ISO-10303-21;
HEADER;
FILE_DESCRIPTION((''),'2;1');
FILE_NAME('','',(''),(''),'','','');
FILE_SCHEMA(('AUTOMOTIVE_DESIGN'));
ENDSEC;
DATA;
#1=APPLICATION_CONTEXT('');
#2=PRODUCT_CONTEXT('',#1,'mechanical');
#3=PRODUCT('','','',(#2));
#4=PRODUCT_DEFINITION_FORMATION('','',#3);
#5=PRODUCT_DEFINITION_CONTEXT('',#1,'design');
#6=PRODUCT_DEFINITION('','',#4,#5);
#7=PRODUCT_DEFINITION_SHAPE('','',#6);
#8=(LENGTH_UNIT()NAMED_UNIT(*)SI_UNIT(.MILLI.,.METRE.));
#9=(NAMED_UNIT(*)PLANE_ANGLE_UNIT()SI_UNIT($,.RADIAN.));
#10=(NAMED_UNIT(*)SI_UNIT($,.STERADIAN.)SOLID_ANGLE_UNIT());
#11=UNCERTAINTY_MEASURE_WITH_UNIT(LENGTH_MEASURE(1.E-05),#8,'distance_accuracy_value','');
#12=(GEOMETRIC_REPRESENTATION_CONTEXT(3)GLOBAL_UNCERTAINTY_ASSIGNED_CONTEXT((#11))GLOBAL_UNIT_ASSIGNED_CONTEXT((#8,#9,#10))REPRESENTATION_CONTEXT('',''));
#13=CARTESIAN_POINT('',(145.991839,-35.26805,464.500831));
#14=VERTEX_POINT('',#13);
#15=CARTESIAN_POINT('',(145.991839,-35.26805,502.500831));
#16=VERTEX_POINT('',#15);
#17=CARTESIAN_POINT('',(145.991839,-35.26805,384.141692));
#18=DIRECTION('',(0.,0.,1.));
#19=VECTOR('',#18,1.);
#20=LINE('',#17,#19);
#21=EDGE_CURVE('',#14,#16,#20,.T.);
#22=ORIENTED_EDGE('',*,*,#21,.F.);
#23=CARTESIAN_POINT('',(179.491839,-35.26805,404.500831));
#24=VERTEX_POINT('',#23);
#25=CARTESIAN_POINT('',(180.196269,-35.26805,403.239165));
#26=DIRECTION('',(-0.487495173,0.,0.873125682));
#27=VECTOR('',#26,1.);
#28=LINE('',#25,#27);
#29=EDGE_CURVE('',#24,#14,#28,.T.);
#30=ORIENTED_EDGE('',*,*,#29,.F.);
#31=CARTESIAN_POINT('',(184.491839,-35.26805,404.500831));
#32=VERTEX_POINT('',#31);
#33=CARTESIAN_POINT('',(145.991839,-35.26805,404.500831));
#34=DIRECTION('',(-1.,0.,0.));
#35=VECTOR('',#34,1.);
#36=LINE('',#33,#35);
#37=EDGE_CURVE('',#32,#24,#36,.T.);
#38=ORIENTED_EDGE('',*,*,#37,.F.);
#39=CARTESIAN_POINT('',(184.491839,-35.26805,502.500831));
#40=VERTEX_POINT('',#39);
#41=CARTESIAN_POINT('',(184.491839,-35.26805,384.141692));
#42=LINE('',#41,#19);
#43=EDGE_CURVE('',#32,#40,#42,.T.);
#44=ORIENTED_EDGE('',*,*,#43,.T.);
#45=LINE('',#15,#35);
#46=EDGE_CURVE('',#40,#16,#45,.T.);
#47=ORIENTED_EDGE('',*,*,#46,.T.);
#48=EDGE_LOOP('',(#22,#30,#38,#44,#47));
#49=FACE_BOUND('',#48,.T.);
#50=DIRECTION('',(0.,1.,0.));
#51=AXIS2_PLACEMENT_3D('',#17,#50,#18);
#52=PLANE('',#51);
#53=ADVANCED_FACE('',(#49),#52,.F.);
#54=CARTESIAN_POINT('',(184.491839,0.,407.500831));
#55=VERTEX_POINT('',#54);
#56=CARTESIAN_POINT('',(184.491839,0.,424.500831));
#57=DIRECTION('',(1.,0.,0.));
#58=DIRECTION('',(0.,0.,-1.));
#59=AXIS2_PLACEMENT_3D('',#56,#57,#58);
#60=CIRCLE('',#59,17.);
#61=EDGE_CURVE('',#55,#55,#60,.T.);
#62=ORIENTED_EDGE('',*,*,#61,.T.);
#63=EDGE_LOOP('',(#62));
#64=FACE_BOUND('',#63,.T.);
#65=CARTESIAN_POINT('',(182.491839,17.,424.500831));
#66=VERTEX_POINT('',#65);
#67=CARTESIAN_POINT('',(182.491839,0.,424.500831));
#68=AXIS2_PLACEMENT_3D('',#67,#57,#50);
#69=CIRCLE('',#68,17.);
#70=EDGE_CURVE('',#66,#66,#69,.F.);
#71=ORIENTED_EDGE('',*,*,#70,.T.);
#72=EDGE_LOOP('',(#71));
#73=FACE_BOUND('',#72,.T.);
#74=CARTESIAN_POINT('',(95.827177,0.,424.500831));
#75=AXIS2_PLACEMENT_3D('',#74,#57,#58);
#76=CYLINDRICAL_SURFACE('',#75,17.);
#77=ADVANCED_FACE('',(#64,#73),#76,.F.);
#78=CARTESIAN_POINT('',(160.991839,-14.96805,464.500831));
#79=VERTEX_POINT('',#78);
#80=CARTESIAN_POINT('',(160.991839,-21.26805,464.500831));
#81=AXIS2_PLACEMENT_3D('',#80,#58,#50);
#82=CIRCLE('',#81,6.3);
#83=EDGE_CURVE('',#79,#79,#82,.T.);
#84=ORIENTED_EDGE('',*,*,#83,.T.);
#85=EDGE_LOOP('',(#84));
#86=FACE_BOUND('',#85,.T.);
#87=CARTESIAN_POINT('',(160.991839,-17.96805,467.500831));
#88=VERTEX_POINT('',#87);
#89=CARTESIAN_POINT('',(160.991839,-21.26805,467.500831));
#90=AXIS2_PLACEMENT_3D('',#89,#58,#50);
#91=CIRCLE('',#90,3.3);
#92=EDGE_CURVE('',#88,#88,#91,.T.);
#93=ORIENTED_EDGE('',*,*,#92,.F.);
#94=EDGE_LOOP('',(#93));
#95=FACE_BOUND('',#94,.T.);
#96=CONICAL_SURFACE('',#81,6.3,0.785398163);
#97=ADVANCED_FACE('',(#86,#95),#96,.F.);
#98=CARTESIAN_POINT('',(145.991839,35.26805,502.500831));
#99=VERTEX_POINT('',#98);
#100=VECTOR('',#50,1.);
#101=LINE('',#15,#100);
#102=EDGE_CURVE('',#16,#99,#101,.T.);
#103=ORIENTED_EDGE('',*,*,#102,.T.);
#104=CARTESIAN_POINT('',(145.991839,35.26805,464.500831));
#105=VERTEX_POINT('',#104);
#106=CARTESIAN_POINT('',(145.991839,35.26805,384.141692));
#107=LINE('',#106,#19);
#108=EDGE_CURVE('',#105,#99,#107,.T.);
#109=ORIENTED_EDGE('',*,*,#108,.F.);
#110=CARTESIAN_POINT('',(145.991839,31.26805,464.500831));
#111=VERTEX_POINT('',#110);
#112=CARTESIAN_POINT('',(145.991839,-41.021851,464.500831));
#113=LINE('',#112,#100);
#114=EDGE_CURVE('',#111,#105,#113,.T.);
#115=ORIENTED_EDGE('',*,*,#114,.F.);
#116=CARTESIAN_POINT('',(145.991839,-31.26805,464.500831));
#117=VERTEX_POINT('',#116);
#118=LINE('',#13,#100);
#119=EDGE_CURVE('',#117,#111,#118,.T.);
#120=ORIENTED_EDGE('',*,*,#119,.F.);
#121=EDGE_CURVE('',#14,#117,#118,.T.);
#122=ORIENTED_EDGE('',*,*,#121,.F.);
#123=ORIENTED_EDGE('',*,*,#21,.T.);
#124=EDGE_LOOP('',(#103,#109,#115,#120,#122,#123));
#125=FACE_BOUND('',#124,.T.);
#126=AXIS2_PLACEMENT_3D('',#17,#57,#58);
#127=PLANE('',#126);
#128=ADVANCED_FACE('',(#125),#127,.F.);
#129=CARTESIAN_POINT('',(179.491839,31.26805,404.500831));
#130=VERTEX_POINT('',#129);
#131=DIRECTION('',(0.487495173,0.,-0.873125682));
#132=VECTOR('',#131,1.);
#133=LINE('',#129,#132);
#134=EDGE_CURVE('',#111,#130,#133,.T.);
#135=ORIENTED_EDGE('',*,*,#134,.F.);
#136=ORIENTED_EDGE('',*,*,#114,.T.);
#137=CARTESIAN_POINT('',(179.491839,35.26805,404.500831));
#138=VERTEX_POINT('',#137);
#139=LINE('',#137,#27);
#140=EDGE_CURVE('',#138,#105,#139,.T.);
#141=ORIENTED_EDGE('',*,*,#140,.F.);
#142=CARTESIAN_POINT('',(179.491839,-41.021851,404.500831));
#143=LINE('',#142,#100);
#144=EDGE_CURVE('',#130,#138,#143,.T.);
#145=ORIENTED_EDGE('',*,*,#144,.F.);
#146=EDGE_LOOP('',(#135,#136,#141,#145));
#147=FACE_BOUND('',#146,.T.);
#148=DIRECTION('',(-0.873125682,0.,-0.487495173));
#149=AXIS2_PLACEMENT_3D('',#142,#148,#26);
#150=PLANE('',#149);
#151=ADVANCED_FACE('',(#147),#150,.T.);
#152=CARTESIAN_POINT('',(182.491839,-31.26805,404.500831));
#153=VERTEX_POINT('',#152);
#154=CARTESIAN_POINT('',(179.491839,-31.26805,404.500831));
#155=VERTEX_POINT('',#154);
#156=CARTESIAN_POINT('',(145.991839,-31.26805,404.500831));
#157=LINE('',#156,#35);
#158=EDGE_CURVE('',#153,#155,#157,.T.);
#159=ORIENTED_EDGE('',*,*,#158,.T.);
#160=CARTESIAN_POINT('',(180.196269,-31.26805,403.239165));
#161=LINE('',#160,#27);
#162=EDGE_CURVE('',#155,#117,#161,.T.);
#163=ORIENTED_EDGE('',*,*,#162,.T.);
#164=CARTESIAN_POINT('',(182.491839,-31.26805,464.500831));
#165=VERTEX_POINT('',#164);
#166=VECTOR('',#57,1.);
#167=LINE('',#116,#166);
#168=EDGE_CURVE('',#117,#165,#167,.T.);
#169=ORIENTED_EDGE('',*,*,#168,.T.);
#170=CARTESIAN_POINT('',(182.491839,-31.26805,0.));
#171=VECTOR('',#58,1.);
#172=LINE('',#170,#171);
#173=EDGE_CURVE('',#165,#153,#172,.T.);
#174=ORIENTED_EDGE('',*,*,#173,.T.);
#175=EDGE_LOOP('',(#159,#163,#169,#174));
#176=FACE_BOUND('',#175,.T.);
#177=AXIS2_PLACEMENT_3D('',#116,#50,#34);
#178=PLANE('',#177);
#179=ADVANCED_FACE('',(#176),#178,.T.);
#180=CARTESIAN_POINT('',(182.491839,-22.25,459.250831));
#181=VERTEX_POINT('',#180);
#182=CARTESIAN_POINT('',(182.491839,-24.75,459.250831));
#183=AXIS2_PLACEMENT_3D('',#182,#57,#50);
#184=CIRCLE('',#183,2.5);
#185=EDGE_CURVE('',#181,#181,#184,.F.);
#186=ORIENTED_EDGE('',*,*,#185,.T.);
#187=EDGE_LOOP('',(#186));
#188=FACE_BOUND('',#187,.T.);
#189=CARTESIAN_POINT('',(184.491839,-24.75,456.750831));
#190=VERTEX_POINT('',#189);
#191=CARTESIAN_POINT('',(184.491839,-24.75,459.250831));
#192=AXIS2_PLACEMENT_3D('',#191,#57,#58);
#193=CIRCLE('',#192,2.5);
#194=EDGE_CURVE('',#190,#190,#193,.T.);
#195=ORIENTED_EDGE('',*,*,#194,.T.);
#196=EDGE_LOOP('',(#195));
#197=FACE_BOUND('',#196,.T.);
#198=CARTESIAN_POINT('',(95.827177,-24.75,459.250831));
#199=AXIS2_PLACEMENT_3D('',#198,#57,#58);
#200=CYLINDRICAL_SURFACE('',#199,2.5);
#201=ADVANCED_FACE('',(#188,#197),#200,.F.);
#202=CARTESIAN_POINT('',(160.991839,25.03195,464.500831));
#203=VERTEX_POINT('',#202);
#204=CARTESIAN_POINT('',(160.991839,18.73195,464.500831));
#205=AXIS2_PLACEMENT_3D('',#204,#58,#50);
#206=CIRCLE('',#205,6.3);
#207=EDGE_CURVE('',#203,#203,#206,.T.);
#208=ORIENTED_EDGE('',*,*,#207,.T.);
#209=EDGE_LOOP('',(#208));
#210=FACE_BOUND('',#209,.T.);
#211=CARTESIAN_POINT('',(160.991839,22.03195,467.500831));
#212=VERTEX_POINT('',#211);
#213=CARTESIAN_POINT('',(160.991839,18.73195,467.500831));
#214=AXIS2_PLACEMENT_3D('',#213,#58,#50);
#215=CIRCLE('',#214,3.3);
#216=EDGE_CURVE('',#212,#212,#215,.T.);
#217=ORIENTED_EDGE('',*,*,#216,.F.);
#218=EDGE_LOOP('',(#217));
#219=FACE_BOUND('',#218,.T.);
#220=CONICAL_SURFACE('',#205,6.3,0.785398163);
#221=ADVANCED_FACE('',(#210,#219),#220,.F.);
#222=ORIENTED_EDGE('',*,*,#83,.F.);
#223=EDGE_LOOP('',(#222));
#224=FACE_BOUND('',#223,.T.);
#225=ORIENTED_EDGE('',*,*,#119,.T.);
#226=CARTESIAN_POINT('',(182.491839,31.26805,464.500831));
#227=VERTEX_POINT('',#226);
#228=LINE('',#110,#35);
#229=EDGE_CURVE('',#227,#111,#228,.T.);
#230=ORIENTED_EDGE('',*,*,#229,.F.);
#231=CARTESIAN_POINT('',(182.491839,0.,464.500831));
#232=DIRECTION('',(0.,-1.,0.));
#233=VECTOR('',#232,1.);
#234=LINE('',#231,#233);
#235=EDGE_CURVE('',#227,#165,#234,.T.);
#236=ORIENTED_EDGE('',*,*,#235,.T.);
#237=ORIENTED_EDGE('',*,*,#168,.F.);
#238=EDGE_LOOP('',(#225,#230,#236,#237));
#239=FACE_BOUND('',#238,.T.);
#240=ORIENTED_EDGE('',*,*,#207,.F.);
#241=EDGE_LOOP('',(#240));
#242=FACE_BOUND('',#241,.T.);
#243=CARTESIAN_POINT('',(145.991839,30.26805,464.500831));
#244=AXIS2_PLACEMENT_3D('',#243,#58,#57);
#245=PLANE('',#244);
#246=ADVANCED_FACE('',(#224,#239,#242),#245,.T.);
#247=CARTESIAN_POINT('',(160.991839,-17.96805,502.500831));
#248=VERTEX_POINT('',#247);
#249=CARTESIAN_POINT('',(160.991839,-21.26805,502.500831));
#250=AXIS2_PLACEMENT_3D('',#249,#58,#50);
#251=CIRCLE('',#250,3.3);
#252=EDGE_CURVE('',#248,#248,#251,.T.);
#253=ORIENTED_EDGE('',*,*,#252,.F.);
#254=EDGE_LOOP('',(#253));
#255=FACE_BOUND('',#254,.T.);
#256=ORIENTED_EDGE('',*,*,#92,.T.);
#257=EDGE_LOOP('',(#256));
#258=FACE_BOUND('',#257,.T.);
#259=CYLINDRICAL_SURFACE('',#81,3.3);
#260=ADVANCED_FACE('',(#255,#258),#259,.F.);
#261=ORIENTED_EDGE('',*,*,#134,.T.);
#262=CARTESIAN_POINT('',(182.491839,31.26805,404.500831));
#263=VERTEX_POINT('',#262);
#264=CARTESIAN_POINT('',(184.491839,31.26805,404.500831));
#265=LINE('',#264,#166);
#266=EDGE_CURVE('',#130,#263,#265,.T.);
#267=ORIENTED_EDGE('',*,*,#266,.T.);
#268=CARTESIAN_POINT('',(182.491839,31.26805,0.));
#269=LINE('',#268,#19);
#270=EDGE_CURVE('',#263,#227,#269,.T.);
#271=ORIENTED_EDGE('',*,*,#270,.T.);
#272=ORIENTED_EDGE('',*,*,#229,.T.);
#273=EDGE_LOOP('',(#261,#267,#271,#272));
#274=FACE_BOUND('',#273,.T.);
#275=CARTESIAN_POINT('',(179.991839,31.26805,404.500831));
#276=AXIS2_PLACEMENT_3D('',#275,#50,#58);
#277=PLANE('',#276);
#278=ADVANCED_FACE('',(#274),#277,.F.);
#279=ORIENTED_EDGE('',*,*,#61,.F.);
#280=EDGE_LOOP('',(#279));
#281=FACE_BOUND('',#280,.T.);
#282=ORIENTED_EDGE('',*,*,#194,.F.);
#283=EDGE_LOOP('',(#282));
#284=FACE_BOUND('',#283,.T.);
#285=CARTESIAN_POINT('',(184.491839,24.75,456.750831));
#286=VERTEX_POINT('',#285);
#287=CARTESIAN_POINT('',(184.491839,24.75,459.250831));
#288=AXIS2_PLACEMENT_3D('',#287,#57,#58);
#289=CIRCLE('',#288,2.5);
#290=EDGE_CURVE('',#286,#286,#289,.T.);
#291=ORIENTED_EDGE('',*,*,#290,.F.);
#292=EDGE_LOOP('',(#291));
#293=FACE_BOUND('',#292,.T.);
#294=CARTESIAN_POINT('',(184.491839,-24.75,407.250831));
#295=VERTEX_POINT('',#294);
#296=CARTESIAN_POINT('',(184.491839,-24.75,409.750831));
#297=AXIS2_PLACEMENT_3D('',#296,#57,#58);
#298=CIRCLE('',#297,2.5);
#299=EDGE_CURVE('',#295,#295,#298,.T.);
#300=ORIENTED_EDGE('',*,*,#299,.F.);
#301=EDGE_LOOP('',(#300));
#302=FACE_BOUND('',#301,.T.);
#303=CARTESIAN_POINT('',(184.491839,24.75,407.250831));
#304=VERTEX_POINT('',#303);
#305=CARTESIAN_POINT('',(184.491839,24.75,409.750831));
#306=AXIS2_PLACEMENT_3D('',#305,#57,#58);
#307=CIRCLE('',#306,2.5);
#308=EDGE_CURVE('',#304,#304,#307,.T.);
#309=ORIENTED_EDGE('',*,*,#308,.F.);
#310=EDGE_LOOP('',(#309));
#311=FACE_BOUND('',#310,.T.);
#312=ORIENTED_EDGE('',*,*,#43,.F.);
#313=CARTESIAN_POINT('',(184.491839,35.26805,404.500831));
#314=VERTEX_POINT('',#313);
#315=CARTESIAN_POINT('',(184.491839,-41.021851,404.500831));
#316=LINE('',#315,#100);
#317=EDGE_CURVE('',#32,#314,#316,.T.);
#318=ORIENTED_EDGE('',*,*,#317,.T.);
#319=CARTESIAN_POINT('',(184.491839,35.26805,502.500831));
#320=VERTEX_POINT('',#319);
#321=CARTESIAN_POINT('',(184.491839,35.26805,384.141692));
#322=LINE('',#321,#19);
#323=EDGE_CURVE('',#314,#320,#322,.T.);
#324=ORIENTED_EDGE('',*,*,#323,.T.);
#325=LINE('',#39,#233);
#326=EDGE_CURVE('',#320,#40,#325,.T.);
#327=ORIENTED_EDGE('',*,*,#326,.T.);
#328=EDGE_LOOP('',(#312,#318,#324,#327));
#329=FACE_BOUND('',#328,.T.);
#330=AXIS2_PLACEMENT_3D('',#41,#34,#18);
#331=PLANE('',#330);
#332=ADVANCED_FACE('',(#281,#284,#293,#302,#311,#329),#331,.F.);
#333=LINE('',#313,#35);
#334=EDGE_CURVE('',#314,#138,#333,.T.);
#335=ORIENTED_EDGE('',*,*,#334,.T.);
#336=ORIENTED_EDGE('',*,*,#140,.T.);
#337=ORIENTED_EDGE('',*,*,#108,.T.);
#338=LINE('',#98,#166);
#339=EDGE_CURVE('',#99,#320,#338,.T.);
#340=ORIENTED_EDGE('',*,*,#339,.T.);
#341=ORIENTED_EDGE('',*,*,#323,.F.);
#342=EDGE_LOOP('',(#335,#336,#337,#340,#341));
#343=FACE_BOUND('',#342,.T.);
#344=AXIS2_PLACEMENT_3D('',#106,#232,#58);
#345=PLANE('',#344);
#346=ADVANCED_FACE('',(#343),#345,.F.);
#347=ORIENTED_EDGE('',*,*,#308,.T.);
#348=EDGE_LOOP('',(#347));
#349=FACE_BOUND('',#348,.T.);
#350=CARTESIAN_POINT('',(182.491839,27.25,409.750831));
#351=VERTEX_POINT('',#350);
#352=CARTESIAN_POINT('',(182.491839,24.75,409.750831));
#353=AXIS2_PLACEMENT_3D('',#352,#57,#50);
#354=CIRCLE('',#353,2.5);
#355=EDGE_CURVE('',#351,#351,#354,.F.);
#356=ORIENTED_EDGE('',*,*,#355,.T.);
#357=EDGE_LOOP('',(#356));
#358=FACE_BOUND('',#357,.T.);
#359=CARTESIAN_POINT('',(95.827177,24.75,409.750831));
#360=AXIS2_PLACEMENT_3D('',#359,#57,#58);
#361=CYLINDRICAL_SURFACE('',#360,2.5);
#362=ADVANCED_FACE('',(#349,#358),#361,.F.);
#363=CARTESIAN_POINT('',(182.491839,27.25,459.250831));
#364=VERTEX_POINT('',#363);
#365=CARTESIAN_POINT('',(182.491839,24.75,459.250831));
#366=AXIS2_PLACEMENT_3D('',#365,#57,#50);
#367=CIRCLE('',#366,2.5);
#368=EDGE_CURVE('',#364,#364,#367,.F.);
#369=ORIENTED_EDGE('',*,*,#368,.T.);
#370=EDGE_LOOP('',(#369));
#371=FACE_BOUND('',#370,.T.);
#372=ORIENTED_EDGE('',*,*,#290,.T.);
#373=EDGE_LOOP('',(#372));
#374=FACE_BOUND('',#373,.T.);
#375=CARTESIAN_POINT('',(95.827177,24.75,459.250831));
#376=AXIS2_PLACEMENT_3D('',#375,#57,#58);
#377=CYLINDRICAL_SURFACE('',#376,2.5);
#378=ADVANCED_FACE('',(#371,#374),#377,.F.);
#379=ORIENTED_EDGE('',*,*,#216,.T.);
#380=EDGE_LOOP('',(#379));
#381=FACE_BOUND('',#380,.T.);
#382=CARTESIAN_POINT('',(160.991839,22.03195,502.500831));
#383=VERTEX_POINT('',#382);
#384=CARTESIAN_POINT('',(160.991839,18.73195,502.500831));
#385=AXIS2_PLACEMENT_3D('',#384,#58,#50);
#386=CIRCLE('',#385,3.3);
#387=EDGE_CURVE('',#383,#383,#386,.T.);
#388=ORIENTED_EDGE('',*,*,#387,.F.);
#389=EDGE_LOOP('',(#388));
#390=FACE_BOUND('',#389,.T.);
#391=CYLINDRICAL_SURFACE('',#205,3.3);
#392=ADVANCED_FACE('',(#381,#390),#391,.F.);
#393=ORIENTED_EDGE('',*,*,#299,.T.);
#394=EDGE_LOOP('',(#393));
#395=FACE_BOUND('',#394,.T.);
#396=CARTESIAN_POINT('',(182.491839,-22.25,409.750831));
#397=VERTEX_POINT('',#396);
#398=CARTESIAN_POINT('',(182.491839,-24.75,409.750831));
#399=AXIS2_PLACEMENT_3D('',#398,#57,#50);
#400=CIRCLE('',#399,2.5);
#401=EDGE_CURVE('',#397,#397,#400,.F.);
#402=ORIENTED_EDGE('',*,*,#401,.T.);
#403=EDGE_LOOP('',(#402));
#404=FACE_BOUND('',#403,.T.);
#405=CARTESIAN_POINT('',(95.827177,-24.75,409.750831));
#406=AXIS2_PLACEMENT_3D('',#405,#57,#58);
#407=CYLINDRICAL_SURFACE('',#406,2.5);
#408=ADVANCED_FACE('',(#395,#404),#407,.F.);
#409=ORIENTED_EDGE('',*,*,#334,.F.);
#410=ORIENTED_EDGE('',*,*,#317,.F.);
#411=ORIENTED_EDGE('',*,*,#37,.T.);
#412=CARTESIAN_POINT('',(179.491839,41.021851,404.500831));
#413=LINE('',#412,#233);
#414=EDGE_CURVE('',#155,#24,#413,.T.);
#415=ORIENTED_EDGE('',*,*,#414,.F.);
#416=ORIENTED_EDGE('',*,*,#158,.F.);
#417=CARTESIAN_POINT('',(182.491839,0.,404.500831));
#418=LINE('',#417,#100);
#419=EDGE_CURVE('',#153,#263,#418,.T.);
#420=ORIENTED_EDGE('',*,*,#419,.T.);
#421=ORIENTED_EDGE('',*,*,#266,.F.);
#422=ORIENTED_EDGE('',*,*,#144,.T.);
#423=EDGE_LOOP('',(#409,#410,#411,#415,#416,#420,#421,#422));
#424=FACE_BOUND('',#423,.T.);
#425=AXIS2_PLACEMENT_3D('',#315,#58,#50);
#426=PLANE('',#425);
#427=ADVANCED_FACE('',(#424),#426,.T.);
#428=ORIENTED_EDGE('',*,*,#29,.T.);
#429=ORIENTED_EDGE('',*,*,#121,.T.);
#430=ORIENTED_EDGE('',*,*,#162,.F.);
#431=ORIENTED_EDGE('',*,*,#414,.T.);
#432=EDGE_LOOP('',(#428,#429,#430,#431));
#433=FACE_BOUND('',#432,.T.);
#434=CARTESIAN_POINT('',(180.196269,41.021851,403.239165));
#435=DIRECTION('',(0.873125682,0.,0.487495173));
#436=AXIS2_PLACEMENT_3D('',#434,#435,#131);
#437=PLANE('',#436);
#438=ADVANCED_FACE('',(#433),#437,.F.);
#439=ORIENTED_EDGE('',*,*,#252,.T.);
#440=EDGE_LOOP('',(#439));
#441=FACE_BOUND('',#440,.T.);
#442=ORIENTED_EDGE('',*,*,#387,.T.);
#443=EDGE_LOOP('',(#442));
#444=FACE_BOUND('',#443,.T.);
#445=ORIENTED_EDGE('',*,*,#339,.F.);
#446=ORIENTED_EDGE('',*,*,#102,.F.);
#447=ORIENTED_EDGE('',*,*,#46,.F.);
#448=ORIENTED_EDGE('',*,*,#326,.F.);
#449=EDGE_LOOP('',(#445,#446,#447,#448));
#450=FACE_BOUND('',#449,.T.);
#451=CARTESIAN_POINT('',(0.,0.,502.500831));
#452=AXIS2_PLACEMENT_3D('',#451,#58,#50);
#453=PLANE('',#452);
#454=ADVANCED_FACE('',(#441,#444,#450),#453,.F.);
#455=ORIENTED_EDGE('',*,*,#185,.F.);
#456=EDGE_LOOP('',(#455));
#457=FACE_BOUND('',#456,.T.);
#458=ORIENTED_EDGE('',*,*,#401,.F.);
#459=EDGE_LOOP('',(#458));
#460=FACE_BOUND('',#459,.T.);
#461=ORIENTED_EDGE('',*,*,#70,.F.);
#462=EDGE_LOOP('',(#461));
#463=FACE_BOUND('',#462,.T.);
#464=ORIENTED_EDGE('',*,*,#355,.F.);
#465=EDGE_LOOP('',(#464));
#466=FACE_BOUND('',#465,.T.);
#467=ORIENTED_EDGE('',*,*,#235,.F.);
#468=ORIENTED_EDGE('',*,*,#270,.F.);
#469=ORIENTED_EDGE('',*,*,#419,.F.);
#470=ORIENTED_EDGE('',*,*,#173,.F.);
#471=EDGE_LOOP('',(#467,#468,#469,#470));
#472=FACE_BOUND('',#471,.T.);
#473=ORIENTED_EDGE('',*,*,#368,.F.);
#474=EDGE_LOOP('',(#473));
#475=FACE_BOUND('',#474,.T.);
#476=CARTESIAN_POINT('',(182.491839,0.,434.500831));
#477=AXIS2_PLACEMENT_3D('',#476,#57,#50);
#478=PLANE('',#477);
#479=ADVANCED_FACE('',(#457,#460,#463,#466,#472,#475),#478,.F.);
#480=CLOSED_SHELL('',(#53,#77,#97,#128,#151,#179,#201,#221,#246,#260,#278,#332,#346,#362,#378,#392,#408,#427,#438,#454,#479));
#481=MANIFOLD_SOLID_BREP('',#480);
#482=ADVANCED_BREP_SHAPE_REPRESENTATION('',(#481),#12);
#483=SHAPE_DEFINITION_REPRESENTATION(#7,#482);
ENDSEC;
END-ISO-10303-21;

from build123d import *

# Parameters (mm, degrees)
SKETCH1_W                                       = 38.5
SKETCH1_H                                       = 70.536099416
BOSS_EXTRUDE1_DEPTH                             = 38
BOSS_EXTRUDE2_DEPTH                             = 4
BOSS_EXTRUDE3_START                             = -70.536099
BOSS_EXTRUDE3_DEPTH                             = 4
SKETCH4_W                                       = 62.536099416
SKETCH4_H                                       = 60
SKETCH4_R                                       = 17
SKETCH4_R_2                                     = 2.5
BOSS_EXTRUDE4_DEPTH                             = 2
CSK_FOR_M6_FLAT_HEAD_MACHINE_SCREW1_D           = 6.6
CSK_FOR_M6_FLAT_HEAD_MACHINE_SCREW1_CSINK_D     = 12.6
CSK_FOR_M6_FLAT_HEAD_MACHINE_SCREW1_CSINK_ANGLE = 90


with BuildPart() as part:
    # Sketch1 → Boss-Extrude1 (new body)
    with BuildSketch(Plane(origin=(0, 0, 502.500831462), x_dir=(1, 0, 0), z_dir=(0, 0, -1))):
        with Locations((165.241839146, 0)):
            Rectangle(SKETCH1_W, SKETCH1_H)
    extrude(amount=BOSS_EXTRUDE1_DEPTH)

    # Sketch3 → Boss-Extrude2 (add)
    with BuildSketch(Plane(origin=(0, 35.268049708, 0), x_dir=(-1, 0, 0), z_dir=(0, 1, 0))):
        Polygon((-184.491839146, 404.500831462), (-179.491839146, 404.500831462), (-145.991839146, 464.500831462), (-184.491839146, 464.500831462), align=None)
    extrude(amount=-BOSS_EXTRUDE2_DEPTH)

    # Sketch3<2> → Boss-Extrude3 (add)
    with BuildSketch(Plane(origin=(0, 35.268049708, 0), x_dir=(-1, 0, 0), z_dir=(0, 1, 0)).offset(BOSS_EXTRUDE3_START)):
        Polygon((-184.491839146, 404.500831462), (-179.491839146, 404.500831462), (-145.991839146, 464.500831462), (-184.491839146, 464.500831462), align=None)
    extrude(amount=BOSS_EXTRUDE3_DEPTH)

    # Sketch4 → Boss-Extrude4 (add)
    with BuildSketch(Plane.YZ.offset(184.491839146)):
        with Locations((0, 434.500831462)):
            Rectangle(SKETCH4_W, SKETCH4_H)
        with Locations(Location((0, 424.500831462, 0), (0, 0, 270))):
            Circle(SKETCH4_R, mode=Mode.SUBTRACT)
        with Locations(Location((-24.75, 459.250831462, 0), (0, 0, 270))):
            Circle(SKETCH4_R_2, mode=Mode.SUBTRACT)
        with Locations(Location((24.75, 459.250831462, 0), (0, 0, 270))):
            Circle(SKETCH4_R_2, mode=Mode.SUBTRACT)
        with Locations(Location((24.75, 409.750831462, 0), (0, 0, 270))):
            Circle(SKETCH4_R_2, mode=Mode.SUBTRACT)
        with Locations(Location((-24.75, 409.750831462, 0), (0, 0, 270))):
            Circle(SKETCH4_R_2, mode=Mode.SUBTRACT)
    extrude(amount=-BOSS_EXTRUDE4_DEPTH)

    # CSK for M6 Flat Head Machine Screw1 (through all)
    with Locations(Plane(origin=(0, 0, 464.500831462), x_dir=(1, 0, 0), z_dir=(0, 0, -1))):
        with Locations((160.991839146, -18.731950292), (160.991839146, 21.268049708)):
            CounterSinkHole(CSK_FOR_M6_FLAT_HEAD_MACHINE_SCREW1_D / 2, CSK_FOR_M6_FLAT_HEAD_MACHINE_SCREW1_CSINK_D / 2, counter_sink_angle=CSK_FOR_M6_FLAT_HEAD_MACHINE_SCREW1_CSINK_ANGLE)


solid = part.part
